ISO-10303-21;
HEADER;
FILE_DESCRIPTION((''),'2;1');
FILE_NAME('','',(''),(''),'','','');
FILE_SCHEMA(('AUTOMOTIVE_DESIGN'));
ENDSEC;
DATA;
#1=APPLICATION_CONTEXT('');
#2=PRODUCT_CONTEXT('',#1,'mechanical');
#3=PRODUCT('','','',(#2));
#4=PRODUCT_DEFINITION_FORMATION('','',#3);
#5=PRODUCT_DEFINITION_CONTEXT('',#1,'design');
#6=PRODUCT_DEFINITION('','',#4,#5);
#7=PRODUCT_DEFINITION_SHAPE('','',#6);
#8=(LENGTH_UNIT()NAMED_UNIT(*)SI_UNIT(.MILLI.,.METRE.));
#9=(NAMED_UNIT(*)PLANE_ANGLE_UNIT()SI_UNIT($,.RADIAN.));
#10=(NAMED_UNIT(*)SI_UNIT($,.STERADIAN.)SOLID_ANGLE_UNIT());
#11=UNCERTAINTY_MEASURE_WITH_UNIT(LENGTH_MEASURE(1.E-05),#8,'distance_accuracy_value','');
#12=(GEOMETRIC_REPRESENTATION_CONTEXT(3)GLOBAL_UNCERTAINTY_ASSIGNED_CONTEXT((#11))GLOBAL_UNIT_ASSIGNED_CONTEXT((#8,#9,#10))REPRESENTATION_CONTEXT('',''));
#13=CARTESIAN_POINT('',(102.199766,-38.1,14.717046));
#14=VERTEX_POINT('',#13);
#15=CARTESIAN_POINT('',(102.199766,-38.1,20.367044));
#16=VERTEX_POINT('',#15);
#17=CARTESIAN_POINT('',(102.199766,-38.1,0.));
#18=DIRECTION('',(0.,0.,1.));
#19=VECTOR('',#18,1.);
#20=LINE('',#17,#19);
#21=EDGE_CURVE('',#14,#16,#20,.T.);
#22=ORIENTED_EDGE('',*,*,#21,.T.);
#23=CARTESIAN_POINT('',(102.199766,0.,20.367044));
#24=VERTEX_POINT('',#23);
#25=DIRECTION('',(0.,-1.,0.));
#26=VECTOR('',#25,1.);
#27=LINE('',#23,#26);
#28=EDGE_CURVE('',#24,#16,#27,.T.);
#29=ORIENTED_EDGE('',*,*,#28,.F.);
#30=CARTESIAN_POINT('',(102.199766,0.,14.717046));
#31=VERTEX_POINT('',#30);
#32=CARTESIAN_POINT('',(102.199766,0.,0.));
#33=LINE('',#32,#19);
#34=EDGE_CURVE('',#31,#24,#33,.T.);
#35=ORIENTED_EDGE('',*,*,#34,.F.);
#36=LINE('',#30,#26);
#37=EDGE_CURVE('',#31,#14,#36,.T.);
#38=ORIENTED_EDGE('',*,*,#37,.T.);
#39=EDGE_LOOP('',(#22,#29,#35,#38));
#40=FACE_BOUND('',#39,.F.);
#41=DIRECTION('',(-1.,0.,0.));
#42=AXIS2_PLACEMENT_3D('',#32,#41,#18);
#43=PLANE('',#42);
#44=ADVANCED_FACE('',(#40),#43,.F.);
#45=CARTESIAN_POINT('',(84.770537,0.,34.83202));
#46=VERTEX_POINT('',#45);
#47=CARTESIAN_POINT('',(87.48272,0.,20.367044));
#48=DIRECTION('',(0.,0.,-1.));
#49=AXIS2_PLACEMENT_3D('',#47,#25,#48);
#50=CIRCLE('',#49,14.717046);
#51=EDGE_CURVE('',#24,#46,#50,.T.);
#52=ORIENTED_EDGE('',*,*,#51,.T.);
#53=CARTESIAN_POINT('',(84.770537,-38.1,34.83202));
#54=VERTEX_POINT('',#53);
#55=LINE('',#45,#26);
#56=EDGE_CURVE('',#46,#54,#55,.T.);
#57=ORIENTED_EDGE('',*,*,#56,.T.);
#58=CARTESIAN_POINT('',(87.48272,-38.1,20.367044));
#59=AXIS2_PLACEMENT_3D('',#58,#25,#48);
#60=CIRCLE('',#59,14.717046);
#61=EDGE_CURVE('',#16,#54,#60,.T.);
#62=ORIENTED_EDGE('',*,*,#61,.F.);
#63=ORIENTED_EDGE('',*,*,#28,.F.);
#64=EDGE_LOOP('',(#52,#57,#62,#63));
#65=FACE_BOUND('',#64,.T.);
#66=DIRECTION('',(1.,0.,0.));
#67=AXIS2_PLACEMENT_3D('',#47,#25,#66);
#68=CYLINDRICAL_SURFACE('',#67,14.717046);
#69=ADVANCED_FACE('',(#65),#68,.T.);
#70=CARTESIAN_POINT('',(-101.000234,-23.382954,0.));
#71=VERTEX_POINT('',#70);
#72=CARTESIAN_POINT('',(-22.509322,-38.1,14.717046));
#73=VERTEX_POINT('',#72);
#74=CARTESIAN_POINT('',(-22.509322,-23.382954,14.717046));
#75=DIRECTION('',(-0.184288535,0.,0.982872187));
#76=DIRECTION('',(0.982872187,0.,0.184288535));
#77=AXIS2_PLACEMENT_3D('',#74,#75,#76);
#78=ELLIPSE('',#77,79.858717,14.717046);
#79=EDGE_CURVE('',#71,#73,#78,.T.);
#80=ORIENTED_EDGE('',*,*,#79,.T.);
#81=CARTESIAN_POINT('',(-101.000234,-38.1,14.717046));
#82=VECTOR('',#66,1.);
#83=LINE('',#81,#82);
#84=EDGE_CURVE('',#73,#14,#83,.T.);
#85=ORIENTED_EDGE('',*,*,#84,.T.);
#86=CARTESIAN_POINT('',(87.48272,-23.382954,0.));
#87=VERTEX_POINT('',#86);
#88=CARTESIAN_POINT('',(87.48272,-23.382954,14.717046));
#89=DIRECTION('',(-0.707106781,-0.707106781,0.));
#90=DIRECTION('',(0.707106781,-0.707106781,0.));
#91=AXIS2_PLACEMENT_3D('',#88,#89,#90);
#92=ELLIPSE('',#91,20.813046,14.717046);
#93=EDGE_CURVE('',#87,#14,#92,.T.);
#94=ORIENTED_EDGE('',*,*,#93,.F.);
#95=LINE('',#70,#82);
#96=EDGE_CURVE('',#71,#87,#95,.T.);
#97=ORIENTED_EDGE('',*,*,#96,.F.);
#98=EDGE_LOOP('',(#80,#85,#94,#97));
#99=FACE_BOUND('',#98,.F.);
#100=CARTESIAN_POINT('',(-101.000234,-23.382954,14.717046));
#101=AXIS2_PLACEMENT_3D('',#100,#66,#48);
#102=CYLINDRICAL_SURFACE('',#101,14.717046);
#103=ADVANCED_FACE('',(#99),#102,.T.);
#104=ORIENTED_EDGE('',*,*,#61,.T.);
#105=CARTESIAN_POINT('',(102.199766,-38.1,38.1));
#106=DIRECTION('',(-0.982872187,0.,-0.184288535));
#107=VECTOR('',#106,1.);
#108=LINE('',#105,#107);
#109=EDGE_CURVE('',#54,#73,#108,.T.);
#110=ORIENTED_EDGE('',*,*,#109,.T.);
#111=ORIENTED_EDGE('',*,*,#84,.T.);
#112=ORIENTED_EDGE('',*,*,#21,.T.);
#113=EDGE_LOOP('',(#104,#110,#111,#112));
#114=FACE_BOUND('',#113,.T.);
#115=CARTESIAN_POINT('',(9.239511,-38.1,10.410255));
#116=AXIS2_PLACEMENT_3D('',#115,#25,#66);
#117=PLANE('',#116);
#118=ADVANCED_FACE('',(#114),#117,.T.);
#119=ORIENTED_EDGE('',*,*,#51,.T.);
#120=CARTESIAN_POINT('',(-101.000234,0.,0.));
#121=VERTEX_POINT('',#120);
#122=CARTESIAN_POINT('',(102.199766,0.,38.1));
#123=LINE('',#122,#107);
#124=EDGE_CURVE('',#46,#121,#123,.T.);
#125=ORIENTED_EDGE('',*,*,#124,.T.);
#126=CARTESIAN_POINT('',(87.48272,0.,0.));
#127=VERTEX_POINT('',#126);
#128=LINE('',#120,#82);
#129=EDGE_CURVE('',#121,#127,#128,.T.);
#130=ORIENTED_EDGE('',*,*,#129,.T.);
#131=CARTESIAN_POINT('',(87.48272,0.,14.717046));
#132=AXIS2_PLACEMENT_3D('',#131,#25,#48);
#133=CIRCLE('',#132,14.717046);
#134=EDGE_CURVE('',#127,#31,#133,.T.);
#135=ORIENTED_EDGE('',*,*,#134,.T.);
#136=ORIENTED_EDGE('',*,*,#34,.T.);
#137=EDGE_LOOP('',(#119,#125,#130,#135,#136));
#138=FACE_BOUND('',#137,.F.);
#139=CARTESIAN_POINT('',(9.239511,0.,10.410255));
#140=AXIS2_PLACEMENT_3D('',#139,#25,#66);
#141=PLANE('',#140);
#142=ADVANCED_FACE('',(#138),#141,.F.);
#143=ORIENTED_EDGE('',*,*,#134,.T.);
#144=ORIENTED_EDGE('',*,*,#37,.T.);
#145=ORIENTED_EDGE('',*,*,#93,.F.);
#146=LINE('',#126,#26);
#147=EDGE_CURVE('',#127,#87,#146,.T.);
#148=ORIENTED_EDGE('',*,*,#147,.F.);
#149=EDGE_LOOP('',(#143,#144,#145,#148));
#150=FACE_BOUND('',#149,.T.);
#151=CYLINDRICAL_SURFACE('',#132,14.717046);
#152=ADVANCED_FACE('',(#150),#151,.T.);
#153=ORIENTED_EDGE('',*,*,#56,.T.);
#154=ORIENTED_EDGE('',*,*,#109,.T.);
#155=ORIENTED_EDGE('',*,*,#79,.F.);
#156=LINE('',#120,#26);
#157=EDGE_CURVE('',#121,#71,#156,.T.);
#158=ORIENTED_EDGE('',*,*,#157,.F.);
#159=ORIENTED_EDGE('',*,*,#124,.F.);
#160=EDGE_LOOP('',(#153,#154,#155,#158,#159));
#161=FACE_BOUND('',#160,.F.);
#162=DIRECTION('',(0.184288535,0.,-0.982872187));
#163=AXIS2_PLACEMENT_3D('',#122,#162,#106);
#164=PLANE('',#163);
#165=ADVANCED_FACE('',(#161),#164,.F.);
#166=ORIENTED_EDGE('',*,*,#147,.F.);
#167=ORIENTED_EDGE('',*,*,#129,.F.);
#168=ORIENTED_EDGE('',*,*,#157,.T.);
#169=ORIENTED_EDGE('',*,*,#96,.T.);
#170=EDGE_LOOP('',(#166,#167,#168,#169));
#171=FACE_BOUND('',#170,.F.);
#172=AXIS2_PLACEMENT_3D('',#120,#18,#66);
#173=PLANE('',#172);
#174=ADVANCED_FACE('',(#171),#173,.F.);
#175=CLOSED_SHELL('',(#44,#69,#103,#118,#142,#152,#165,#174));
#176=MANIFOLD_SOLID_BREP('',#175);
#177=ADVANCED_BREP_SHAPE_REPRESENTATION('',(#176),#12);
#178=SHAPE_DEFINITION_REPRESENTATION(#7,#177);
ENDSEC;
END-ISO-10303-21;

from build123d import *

# Parameters (mm, degrees)
F1_DEPTH = 38.1
F2_R     = 14.717046


with BuildPart() as f1:
    # F0 (on Front) → F1 (new body)
    with BuildSketch(Plane.XZ):
        Polygon((-101.000234, 0), (0, 0), (102.199766, 0), (102.199766, 38.1), align=None)
    extrude(amount=F1_DEPTH)

    # F2
    f2_edges = [f1.edges().sort_by_distance(p)[0] for p in [
        (102.199766, -19.05, 38.1),
        (102.199766, -19.05, 0),
        (0.599766, -38.1, 0),
    ]]
    fillet(f2_edges, radius=F2_R)


solid = f1.part
